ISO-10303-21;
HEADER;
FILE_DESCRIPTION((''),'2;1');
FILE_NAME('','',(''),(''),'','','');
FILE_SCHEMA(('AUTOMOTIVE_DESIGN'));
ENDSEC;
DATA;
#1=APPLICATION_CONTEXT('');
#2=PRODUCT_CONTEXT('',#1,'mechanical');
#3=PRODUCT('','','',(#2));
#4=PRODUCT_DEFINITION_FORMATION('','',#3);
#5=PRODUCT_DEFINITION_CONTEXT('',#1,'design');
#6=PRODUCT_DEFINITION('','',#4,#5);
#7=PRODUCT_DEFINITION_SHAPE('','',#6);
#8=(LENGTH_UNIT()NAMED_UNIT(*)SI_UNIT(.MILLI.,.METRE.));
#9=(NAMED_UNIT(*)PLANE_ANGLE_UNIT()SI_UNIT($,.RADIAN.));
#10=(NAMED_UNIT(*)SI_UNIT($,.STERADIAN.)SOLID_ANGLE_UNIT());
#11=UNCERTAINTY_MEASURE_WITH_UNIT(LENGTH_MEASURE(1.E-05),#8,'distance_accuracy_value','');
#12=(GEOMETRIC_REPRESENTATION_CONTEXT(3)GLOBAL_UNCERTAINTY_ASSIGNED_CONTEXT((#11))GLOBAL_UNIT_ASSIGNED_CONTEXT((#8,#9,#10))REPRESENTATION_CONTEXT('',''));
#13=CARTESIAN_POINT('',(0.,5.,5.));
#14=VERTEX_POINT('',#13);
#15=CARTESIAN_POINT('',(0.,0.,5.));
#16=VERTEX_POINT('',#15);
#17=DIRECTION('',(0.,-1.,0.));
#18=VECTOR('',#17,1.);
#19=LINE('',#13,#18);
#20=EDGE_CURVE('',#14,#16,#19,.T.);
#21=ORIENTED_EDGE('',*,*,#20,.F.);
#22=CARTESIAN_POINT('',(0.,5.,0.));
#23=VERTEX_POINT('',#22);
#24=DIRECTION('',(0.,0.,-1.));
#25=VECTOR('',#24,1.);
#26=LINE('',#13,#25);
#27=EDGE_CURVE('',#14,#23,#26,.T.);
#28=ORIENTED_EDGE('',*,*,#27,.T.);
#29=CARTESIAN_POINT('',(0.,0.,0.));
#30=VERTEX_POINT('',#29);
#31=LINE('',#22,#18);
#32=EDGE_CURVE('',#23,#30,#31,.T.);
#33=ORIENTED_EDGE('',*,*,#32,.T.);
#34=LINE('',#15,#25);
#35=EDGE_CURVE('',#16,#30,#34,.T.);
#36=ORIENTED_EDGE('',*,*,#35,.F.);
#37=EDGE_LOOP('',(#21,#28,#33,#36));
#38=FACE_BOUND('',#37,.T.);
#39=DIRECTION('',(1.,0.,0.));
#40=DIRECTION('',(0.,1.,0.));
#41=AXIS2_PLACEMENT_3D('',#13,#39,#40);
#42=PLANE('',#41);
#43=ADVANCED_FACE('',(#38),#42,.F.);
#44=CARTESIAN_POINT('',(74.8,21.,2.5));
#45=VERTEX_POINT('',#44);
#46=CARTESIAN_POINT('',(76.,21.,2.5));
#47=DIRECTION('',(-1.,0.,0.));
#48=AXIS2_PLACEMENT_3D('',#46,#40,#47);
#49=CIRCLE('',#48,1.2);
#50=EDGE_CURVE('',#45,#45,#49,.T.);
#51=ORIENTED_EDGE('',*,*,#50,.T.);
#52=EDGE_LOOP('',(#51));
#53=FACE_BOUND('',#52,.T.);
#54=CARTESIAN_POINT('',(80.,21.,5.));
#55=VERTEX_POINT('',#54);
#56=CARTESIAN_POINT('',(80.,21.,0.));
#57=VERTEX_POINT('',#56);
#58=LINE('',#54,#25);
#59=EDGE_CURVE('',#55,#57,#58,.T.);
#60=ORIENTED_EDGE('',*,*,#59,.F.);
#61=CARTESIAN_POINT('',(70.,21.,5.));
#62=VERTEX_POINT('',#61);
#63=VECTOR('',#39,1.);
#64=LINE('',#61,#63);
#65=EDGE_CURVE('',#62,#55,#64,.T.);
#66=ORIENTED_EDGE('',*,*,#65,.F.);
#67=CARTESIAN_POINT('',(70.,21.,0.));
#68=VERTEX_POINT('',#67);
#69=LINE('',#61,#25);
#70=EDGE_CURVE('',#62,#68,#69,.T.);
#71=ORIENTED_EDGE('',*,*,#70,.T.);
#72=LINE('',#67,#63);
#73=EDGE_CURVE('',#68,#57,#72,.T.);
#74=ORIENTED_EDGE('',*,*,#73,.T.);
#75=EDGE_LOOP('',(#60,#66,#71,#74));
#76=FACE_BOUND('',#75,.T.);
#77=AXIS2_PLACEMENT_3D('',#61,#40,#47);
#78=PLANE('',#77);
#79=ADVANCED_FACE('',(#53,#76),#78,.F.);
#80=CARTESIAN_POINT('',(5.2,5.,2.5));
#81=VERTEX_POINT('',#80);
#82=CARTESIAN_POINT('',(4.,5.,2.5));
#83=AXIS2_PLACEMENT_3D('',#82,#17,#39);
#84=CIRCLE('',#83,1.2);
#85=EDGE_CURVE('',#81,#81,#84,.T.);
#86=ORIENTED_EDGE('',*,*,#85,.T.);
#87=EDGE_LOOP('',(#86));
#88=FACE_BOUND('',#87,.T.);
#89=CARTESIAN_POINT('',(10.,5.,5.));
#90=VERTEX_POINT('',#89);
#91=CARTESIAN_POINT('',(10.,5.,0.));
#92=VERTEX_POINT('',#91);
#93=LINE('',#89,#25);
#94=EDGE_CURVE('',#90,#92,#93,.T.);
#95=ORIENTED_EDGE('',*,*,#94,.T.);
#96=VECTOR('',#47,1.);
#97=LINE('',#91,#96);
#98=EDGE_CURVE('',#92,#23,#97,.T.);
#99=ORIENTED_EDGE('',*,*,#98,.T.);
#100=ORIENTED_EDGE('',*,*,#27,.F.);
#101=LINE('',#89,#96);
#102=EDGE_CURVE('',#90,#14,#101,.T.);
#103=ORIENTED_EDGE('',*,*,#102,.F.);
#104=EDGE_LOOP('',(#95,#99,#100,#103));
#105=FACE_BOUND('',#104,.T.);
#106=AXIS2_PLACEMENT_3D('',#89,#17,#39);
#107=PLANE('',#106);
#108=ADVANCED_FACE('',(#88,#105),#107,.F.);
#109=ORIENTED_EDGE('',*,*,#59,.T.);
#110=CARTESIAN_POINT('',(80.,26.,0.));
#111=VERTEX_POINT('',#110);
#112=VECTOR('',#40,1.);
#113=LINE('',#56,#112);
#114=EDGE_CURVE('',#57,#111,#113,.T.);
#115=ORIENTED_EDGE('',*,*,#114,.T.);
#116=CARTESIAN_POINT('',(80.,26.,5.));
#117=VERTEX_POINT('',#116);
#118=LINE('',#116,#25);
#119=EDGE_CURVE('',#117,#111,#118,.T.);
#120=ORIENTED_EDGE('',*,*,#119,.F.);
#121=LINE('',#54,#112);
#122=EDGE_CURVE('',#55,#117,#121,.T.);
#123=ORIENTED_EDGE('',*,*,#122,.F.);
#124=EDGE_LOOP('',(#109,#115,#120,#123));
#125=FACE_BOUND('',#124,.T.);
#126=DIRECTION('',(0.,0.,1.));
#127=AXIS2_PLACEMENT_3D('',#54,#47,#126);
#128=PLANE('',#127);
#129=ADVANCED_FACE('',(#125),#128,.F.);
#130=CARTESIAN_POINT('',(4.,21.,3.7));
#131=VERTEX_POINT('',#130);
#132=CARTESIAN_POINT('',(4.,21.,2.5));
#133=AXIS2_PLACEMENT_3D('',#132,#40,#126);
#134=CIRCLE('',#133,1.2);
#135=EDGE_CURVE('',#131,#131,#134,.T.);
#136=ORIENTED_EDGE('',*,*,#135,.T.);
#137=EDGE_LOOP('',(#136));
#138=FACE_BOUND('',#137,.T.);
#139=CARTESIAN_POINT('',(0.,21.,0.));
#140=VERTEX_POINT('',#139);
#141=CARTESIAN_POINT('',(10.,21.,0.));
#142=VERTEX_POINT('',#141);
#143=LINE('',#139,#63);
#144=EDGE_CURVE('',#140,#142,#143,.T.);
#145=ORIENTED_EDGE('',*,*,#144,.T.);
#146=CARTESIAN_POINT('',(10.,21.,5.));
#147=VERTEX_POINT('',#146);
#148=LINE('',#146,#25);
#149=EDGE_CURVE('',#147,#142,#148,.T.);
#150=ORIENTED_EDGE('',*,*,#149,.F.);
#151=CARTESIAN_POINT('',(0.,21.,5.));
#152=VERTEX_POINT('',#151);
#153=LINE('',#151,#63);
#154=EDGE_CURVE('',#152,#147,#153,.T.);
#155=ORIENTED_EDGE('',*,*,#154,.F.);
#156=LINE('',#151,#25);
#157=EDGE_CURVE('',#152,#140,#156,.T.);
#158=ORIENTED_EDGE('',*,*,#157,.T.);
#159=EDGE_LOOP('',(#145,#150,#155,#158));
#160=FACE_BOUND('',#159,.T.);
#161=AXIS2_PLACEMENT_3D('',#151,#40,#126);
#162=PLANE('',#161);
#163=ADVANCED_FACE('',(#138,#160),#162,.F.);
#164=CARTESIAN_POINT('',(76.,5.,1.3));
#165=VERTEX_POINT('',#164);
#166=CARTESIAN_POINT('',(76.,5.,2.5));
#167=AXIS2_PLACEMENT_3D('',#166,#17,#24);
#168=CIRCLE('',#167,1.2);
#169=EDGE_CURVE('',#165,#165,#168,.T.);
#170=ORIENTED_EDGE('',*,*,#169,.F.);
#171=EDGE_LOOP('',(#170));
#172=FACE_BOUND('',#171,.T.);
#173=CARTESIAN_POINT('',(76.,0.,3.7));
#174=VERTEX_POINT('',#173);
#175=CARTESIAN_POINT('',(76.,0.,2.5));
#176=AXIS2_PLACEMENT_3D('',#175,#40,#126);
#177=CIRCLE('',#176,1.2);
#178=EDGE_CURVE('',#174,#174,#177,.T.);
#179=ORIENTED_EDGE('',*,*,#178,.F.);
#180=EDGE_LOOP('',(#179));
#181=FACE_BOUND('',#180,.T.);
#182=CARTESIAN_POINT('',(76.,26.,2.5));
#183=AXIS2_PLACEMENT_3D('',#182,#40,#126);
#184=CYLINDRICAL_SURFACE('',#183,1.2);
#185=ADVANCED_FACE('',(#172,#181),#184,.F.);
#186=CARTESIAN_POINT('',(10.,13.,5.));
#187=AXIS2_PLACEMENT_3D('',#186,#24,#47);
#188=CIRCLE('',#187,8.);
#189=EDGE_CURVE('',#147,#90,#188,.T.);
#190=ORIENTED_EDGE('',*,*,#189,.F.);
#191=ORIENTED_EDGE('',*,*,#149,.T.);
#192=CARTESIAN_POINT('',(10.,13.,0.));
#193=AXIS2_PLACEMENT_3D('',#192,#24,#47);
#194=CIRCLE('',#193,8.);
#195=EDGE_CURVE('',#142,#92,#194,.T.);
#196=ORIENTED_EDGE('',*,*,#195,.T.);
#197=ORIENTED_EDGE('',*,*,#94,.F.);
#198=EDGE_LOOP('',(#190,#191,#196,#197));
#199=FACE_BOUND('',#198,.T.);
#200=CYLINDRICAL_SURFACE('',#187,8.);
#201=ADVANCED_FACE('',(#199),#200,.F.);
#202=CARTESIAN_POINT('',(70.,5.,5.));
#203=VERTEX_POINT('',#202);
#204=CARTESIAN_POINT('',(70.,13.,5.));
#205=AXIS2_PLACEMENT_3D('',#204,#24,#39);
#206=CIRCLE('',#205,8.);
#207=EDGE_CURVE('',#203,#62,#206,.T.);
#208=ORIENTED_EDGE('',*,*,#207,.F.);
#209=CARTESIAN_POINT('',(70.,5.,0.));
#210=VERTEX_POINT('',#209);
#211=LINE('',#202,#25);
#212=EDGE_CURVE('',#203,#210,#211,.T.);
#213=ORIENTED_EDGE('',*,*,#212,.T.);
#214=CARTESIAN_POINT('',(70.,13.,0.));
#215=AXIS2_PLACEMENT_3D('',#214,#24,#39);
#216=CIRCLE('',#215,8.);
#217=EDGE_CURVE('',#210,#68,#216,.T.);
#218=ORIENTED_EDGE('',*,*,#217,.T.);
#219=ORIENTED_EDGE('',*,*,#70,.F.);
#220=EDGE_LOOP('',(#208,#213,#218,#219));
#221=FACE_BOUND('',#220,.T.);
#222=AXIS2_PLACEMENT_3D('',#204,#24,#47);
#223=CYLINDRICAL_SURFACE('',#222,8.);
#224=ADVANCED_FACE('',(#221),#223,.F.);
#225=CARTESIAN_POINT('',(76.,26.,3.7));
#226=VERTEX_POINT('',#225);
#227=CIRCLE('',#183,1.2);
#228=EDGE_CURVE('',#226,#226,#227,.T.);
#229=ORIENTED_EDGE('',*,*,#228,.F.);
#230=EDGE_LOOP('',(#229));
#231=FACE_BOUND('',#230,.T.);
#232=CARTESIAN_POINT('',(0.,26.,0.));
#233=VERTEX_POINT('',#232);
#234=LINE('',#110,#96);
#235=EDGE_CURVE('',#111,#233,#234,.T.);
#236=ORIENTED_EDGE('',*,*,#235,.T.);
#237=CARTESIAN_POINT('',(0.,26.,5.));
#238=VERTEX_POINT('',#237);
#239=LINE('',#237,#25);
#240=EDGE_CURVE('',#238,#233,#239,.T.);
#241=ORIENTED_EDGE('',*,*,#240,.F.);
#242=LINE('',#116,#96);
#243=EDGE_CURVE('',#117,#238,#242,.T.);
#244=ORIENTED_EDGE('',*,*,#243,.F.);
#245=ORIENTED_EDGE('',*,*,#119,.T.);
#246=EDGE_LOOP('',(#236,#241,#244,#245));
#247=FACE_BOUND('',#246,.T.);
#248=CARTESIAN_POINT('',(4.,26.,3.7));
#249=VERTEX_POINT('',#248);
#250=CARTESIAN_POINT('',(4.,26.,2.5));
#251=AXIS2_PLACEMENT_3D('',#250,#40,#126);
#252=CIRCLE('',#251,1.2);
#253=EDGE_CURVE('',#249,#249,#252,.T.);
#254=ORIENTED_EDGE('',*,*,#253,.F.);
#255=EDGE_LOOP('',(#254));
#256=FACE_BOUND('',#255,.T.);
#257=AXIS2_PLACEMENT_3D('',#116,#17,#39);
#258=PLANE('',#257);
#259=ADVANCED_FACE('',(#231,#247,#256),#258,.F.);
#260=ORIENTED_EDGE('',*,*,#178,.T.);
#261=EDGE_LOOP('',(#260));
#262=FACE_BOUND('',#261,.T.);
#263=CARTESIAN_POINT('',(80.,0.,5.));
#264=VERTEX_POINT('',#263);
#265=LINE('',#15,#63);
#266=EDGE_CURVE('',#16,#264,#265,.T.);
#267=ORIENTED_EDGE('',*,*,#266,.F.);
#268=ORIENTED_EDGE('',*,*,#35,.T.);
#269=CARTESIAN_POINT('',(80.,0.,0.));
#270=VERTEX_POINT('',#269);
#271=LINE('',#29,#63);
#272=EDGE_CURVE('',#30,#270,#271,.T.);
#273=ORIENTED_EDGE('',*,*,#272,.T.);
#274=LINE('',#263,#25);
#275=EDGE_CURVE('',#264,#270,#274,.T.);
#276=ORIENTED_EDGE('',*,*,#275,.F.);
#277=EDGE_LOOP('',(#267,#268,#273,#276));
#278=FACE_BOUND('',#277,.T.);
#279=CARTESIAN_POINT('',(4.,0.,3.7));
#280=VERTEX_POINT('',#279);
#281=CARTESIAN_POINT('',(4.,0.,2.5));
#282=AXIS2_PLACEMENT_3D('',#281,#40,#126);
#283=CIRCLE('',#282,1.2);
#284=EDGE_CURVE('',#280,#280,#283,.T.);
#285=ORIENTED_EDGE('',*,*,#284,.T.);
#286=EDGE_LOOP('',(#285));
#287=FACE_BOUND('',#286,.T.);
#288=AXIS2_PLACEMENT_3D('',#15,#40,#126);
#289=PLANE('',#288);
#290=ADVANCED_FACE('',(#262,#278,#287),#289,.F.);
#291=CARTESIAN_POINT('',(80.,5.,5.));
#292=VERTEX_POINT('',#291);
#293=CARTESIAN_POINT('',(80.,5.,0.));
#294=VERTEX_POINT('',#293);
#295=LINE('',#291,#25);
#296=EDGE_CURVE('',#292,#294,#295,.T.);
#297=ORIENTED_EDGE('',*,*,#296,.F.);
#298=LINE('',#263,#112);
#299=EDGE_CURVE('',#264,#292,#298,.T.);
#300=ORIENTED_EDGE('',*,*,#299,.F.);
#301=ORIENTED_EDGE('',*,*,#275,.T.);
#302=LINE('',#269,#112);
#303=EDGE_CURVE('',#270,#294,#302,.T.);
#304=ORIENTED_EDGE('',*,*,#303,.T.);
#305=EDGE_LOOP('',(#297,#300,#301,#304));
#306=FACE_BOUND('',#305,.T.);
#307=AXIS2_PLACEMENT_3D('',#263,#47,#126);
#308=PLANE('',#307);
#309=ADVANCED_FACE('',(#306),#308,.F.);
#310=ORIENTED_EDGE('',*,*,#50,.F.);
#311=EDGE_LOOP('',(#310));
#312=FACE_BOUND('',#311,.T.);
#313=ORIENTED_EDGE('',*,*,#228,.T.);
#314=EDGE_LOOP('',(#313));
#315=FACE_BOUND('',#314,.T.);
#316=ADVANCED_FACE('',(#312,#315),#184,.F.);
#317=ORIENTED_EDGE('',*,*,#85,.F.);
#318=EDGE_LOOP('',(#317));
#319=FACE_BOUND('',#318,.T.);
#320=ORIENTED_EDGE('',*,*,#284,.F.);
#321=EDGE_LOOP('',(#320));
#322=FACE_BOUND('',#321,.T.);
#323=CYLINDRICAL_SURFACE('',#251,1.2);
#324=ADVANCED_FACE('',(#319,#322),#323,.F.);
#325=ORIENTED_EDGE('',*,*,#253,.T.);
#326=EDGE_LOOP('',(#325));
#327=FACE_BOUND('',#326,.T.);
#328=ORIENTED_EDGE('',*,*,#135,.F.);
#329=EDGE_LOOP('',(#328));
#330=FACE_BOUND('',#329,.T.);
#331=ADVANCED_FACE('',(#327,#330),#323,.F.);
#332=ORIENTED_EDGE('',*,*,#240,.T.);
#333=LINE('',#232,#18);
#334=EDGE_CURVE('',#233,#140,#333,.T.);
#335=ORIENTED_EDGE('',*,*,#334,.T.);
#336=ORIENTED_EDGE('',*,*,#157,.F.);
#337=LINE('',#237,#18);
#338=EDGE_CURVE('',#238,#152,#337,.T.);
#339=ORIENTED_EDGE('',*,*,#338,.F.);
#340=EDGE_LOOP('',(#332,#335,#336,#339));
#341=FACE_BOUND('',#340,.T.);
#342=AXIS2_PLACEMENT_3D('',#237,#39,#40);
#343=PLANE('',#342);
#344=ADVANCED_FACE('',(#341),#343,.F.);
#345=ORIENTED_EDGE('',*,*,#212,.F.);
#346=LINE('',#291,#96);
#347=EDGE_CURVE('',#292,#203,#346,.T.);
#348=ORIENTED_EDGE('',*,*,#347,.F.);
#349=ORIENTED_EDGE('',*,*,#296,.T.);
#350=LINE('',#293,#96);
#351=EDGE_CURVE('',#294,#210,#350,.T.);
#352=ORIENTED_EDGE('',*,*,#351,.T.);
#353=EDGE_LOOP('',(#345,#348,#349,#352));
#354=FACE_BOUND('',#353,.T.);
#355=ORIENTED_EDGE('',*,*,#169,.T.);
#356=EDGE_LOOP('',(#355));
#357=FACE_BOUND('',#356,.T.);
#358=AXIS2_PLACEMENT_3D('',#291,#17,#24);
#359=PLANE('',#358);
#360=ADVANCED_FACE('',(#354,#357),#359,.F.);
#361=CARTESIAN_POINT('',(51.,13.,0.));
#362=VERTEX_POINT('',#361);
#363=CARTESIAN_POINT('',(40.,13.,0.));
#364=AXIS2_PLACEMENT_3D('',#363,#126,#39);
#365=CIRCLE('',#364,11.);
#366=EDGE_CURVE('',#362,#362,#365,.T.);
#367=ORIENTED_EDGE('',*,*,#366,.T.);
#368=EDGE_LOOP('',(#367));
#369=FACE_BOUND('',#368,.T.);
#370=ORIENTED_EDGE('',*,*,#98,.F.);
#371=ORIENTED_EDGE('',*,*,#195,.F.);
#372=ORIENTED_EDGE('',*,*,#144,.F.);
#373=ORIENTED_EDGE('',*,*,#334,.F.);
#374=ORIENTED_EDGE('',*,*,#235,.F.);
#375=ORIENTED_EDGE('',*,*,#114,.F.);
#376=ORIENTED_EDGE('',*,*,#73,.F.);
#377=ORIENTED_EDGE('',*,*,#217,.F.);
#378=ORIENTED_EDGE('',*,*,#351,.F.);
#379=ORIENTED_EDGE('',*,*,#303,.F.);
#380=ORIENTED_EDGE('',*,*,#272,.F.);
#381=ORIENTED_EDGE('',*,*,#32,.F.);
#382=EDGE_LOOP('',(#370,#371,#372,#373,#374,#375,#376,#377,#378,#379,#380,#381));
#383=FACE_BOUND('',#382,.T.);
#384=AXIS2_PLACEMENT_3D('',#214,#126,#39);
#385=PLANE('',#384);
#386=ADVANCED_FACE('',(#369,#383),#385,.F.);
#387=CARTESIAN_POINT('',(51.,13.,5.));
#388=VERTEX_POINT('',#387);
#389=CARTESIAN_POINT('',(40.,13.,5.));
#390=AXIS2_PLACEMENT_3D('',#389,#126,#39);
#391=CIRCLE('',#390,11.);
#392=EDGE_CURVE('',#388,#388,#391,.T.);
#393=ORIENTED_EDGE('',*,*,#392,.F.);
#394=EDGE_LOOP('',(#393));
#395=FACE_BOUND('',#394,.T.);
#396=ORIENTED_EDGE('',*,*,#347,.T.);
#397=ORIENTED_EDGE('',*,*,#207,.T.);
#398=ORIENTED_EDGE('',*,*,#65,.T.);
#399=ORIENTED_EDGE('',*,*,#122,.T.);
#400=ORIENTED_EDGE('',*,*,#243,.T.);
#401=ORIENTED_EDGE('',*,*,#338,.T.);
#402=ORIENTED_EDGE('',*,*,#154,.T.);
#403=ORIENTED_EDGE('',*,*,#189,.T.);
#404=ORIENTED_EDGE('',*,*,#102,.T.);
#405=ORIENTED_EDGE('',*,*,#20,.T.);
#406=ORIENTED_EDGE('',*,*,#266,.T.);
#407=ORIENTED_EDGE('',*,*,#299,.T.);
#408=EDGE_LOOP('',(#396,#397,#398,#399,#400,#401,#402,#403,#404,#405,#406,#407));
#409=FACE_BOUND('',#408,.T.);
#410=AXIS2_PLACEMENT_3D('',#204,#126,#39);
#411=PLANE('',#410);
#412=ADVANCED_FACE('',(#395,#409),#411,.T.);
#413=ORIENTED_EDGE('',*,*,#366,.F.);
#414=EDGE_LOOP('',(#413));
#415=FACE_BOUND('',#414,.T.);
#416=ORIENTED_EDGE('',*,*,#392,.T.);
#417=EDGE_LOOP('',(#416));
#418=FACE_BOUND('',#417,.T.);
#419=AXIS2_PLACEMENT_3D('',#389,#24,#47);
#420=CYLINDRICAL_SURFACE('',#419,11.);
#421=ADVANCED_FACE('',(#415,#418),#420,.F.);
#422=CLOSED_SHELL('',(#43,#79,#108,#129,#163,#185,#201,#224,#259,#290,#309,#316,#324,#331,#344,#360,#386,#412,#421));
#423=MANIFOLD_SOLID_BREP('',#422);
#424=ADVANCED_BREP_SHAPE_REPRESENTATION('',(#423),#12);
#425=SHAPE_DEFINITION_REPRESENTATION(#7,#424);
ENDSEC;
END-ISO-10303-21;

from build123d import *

# Parameters (mm, degrees)
ESQUISSE1_R        = 11
BOSS_EXTRU_1_DEPTH = 5
D_GAGEMENT_M21_D   = 2.4


with BuildPart() as part:
    # Esquisse1 → Boss.-Extru.1 (new body)
    with BuildSketch(Plane.XY):
        with BuildLine():
            Line((0, 0), (80, 0))
            Line((80, 0), (80, 5))
            Line((80, 5), (70, 5))
            ThreePointArc((70, 5), (62, 13), (70, 21))
            Line((70, 21), (80, 21))
            Line((80, 21), (80, 26))
            Line((80, 26), (0, 26))
            Line((0, 26), (0, 21))
            Line((0, 21), (10, 21))
            ThreePointArc((10, 21), (18, 13), (10, 5))
            Line((10, 5), (0, 5))
            Line((0, 5), (0, 0))
        make_face()
        with Locations((40, 13)):
            Circle(ESQUISSE1_R, mode=Mode.SUBTRACT)
    extrude(amount=BOSS_EXTRU_1_DEPTH)

    # Dégagement M21 (through all)
    with Locations(Plane(origin=(0, 26, 0), x_dir=(1, 0, 0), z_dir=(0, 1, 0))):
        with Locations((76, -2.5), (4, -2.5)):
            Hole(D_GAGEMENT_M21_D / 2)


solid = part.part
